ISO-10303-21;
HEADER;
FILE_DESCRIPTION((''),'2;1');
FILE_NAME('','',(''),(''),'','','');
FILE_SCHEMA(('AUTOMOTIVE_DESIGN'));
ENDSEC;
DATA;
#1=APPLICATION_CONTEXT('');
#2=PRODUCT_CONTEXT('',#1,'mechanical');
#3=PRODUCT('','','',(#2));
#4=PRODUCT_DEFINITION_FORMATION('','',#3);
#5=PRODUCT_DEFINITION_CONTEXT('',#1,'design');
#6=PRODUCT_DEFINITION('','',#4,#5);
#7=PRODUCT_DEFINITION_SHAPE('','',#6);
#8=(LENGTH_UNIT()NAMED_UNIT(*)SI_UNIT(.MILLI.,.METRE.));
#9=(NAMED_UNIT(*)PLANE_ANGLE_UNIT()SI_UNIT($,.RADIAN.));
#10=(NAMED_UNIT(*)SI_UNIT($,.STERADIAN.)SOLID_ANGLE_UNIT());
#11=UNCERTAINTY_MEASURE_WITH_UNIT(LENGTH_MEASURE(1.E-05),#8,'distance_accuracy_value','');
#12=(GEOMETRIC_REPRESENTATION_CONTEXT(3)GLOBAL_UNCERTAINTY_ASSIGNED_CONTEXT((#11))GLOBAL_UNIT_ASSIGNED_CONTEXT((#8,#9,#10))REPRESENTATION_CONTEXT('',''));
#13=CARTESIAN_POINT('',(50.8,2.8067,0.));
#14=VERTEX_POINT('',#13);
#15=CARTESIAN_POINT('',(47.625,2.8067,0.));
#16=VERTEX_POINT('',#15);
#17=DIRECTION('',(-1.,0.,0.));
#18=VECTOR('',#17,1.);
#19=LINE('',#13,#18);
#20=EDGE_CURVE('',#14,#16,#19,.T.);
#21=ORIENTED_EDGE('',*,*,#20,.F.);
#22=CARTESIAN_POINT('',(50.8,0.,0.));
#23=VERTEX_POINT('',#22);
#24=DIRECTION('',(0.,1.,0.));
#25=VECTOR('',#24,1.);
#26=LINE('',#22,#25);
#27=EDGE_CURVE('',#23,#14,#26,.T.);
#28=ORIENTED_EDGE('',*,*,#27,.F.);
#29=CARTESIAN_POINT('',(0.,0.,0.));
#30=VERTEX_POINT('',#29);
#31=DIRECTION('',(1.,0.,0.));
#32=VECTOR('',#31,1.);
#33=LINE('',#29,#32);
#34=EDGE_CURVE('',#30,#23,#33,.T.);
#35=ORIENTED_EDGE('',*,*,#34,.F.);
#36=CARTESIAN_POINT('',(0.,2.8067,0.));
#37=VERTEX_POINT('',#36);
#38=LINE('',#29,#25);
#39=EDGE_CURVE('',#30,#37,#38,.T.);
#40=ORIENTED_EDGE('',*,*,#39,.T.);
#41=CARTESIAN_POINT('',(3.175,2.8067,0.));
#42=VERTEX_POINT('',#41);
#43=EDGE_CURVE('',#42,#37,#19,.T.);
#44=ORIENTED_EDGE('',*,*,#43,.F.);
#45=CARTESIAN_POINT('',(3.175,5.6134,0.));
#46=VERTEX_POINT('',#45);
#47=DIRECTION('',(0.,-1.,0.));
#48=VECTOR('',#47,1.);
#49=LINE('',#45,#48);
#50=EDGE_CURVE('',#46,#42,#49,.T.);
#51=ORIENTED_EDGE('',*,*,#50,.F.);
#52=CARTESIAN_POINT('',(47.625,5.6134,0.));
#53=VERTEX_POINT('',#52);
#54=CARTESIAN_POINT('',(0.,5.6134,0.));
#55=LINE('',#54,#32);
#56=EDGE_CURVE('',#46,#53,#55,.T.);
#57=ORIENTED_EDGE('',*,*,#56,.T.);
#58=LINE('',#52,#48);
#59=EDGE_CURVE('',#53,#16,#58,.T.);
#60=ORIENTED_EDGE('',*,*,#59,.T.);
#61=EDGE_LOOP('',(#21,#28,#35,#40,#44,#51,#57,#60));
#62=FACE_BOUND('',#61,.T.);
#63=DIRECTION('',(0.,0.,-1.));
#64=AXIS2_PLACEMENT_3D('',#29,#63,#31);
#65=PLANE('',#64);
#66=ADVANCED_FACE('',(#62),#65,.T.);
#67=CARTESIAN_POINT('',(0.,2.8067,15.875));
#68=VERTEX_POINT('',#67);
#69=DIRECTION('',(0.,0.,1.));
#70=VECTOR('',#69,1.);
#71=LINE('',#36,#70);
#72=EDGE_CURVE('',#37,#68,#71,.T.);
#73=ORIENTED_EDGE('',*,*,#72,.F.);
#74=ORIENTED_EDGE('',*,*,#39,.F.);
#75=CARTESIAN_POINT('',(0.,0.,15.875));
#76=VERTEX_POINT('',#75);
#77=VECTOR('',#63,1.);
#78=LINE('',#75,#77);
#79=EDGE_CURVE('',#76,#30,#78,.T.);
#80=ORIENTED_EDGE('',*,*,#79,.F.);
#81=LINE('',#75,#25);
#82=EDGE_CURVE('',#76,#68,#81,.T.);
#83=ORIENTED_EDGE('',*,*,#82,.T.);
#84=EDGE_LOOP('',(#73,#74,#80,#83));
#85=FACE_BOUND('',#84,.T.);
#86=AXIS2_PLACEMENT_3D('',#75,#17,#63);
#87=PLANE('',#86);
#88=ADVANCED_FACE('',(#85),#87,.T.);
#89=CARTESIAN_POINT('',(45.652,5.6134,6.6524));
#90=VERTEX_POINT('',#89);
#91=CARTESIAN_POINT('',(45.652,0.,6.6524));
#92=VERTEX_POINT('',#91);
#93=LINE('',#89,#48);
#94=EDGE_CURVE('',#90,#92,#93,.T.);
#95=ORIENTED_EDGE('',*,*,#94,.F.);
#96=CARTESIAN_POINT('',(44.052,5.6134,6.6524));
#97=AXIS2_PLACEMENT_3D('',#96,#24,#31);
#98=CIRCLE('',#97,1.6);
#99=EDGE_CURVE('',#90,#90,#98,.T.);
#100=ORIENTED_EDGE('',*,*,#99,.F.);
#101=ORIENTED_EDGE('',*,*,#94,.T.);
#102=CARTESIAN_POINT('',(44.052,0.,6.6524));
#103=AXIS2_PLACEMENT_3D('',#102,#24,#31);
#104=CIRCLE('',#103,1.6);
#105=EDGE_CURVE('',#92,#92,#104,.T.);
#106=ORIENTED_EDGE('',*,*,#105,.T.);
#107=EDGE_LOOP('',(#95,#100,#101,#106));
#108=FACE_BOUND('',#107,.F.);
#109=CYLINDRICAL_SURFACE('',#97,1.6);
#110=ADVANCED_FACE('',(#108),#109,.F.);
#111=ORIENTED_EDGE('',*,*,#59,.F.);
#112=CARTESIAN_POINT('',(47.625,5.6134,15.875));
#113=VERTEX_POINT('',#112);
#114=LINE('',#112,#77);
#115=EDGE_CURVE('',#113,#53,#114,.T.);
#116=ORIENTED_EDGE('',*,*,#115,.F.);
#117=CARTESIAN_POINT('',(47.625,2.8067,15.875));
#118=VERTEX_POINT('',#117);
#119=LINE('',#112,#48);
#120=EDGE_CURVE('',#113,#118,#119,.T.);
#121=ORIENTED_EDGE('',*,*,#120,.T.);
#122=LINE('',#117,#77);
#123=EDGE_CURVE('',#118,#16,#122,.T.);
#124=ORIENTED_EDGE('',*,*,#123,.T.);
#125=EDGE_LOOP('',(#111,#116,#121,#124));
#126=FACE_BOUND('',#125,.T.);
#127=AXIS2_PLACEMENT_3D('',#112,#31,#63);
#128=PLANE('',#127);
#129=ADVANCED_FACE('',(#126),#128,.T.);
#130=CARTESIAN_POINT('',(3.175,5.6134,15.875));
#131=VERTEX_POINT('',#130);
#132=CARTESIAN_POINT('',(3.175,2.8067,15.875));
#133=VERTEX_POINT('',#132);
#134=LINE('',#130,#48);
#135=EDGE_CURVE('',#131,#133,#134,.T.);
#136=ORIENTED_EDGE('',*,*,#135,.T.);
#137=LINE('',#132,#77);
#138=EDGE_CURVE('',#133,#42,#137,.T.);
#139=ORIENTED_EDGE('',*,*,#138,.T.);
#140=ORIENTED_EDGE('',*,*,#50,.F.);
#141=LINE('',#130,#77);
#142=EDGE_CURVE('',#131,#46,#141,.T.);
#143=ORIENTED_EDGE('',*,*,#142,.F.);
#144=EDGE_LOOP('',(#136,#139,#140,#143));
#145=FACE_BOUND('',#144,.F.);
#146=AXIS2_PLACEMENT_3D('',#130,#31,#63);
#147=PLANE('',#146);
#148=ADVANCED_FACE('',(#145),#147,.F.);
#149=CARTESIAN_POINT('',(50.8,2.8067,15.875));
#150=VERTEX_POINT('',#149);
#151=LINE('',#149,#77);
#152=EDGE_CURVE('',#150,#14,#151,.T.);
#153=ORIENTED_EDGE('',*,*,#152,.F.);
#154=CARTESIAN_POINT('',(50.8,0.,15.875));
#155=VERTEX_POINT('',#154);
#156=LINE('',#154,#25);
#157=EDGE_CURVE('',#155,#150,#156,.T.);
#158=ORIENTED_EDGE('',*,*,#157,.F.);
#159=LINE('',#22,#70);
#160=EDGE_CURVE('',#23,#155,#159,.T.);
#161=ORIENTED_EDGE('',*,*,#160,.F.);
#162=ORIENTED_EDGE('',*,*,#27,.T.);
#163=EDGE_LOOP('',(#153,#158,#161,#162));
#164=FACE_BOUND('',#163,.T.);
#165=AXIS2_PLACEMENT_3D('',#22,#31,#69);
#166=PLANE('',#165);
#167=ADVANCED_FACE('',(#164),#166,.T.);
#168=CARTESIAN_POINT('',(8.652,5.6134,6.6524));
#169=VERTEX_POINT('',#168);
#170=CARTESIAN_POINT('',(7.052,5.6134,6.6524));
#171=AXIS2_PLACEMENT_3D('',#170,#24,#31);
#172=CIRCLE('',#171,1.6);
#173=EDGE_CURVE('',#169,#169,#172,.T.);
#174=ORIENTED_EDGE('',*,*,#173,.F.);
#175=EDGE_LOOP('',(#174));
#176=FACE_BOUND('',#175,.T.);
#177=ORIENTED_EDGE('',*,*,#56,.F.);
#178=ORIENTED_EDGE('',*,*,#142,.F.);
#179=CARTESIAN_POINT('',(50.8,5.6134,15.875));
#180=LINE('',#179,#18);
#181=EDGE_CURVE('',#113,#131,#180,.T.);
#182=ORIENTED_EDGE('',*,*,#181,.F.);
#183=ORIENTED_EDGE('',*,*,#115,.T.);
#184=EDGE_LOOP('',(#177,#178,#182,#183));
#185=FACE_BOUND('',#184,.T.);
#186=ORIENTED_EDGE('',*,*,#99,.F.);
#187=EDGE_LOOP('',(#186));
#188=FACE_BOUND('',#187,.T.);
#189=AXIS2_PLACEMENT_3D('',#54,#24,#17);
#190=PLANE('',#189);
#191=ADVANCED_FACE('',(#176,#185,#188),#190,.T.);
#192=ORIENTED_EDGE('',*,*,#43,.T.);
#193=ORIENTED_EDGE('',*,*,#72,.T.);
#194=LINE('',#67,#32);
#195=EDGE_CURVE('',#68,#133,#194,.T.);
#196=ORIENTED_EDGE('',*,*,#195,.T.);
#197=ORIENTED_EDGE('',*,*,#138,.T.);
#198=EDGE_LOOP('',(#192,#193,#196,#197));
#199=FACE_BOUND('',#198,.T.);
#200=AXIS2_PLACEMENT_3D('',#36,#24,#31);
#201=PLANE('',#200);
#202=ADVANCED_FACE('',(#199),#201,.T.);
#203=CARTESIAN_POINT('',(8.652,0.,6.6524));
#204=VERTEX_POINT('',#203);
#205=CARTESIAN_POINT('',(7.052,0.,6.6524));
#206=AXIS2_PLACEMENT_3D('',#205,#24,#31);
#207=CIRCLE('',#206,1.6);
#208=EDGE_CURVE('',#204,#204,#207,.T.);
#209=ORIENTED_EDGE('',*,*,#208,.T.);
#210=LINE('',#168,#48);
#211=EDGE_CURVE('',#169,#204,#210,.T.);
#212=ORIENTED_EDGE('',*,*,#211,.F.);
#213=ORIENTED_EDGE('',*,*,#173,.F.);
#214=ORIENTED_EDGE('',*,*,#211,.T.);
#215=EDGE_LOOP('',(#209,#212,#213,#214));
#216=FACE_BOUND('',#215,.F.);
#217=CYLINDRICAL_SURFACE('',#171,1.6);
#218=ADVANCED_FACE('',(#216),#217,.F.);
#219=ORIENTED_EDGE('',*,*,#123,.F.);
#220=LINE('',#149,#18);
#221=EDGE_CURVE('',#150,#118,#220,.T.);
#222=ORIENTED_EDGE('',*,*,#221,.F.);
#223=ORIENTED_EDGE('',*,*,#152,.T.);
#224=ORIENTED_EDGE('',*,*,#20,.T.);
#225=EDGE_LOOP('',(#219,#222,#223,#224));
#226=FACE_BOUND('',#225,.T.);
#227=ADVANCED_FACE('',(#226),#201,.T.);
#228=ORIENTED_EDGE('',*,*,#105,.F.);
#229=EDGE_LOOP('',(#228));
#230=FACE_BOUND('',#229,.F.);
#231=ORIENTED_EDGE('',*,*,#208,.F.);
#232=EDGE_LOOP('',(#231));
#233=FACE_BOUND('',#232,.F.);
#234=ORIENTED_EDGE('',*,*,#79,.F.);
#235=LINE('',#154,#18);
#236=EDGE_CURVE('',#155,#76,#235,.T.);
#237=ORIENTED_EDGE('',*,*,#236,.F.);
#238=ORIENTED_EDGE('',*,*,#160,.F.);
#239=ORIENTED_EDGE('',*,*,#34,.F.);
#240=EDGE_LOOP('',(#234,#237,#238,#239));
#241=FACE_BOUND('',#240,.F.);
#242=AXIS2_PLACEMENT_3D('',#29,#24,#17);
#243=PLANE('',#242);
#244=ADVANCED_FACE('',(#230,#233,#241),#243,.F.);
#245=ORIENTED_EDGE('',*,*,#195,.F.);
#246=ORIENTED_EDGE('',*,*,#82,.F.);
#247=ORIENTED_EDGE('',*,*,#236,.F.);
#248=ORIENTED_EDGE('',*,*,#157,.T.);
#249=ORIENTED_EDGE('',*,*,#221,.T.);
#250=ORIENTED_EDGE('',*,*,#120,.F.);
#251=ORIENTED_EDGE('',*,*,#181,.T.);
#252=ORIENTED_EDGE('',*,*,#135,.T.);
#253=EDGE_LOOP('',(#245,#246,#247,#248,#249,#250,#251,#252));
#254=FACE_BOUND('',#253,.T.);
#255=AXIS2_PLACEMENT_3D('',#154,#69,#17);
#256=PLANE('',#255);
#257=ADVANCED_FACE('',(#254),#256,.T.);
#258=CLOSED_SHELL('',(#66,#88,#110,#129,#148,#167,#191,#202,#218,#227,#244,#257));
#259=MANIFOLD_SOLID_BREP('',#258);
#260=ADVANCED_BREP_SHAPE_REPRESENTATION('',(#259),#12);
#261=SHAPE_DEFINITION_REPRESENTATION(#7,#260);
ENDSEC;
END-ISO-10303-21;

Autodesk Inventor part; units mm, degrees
ref_plane "YZ Plane" through (0, 0, 0) normal (1, 0, 0) x (0, 1, 0)
ref_plane "XZ Plane" through (0, 0, 0) normal (0, 1, 0) x (-1, 0, 0)
ref_plane "XY Plane" through (0, 0, 0) normal (0, 0, 1) x (1, 0, 0)
sketch "Sketch1" plane through (0, 0, 0) normal (0, 1, 0) x (-1, 0, 0)
  line L0 (0, 0) -> (-50.8, 0)
  line L1 (-50.8, 0) -> (-50.8, 15.875)
  line L2 (-50.8, 15.875) -> (0, 15.875)
  line L3 (0, 15.875) -> (0, 0)
  dimension "d0" = 50.8
  dimension "d1" = 15.875
extrude "Extrusion1" add sketch "Sketch1" along normal blind 5.6134
sketch "Sketch7" plane through (0, 5.6134, 0) normal (0, 1, 0) x (1, 0, 0)
  circle A0 centre (7.052, -6.6524) radius 1.6
  circle A1 centre (44.052, -6.6524) radius 1.6
  line L0 (0, 0) -> (0, -15.875) projected
  line L1 (50.8, 0) -> (0, 0) projected
  dimension "d22" = 3.2
  dimension "d23" = 3.2
  dimension "d24" = 37
  dimension "d42" = 7.052
  dimension "d43" = 6.6524
  dimension "d44" = 6.6524
extrude "Extrusion6" cut sketch "Sketch7" against normal blind 25.4
sketch "Sketch8" plane through (0, 5.6134, 0) normal (0, 1, 0) x (1, 0, 0)
  line L0 (50.8, 0) -> (0, 0) projected
  line L1 (0, 0) -> (0, -15.875) projected
  line L2 (50.8, -15.875) -> (50.8, 0) projected
  line L3 (0, -15.875) -> (3.175, -15.875)
  line L4 (3.175, -15.875) -> (3.175, 0)
  line L5 (3.175, 0) -> (0, 0)
  line L6 (0, 0) -> (0, -15.875)
  line L7 (50.8, -15.875) -> (47.625, -15.875)
  line L8 (47.625, -15.875) -> (47.625, 0)
  line L9 (47.625, 0) -> (50.8, 0)
  line L10 (50.8, 0) -> (50.8, -15.875)
  dimension "d34" = 3.175
  dimension "d35" = 3.175
extrude "Extrusion7" cut sketch "Sketch8" against normal blind 2.8067
equation "\"d23\" = d22"
properties part number "Lidar Sensor Case Piece 3"
